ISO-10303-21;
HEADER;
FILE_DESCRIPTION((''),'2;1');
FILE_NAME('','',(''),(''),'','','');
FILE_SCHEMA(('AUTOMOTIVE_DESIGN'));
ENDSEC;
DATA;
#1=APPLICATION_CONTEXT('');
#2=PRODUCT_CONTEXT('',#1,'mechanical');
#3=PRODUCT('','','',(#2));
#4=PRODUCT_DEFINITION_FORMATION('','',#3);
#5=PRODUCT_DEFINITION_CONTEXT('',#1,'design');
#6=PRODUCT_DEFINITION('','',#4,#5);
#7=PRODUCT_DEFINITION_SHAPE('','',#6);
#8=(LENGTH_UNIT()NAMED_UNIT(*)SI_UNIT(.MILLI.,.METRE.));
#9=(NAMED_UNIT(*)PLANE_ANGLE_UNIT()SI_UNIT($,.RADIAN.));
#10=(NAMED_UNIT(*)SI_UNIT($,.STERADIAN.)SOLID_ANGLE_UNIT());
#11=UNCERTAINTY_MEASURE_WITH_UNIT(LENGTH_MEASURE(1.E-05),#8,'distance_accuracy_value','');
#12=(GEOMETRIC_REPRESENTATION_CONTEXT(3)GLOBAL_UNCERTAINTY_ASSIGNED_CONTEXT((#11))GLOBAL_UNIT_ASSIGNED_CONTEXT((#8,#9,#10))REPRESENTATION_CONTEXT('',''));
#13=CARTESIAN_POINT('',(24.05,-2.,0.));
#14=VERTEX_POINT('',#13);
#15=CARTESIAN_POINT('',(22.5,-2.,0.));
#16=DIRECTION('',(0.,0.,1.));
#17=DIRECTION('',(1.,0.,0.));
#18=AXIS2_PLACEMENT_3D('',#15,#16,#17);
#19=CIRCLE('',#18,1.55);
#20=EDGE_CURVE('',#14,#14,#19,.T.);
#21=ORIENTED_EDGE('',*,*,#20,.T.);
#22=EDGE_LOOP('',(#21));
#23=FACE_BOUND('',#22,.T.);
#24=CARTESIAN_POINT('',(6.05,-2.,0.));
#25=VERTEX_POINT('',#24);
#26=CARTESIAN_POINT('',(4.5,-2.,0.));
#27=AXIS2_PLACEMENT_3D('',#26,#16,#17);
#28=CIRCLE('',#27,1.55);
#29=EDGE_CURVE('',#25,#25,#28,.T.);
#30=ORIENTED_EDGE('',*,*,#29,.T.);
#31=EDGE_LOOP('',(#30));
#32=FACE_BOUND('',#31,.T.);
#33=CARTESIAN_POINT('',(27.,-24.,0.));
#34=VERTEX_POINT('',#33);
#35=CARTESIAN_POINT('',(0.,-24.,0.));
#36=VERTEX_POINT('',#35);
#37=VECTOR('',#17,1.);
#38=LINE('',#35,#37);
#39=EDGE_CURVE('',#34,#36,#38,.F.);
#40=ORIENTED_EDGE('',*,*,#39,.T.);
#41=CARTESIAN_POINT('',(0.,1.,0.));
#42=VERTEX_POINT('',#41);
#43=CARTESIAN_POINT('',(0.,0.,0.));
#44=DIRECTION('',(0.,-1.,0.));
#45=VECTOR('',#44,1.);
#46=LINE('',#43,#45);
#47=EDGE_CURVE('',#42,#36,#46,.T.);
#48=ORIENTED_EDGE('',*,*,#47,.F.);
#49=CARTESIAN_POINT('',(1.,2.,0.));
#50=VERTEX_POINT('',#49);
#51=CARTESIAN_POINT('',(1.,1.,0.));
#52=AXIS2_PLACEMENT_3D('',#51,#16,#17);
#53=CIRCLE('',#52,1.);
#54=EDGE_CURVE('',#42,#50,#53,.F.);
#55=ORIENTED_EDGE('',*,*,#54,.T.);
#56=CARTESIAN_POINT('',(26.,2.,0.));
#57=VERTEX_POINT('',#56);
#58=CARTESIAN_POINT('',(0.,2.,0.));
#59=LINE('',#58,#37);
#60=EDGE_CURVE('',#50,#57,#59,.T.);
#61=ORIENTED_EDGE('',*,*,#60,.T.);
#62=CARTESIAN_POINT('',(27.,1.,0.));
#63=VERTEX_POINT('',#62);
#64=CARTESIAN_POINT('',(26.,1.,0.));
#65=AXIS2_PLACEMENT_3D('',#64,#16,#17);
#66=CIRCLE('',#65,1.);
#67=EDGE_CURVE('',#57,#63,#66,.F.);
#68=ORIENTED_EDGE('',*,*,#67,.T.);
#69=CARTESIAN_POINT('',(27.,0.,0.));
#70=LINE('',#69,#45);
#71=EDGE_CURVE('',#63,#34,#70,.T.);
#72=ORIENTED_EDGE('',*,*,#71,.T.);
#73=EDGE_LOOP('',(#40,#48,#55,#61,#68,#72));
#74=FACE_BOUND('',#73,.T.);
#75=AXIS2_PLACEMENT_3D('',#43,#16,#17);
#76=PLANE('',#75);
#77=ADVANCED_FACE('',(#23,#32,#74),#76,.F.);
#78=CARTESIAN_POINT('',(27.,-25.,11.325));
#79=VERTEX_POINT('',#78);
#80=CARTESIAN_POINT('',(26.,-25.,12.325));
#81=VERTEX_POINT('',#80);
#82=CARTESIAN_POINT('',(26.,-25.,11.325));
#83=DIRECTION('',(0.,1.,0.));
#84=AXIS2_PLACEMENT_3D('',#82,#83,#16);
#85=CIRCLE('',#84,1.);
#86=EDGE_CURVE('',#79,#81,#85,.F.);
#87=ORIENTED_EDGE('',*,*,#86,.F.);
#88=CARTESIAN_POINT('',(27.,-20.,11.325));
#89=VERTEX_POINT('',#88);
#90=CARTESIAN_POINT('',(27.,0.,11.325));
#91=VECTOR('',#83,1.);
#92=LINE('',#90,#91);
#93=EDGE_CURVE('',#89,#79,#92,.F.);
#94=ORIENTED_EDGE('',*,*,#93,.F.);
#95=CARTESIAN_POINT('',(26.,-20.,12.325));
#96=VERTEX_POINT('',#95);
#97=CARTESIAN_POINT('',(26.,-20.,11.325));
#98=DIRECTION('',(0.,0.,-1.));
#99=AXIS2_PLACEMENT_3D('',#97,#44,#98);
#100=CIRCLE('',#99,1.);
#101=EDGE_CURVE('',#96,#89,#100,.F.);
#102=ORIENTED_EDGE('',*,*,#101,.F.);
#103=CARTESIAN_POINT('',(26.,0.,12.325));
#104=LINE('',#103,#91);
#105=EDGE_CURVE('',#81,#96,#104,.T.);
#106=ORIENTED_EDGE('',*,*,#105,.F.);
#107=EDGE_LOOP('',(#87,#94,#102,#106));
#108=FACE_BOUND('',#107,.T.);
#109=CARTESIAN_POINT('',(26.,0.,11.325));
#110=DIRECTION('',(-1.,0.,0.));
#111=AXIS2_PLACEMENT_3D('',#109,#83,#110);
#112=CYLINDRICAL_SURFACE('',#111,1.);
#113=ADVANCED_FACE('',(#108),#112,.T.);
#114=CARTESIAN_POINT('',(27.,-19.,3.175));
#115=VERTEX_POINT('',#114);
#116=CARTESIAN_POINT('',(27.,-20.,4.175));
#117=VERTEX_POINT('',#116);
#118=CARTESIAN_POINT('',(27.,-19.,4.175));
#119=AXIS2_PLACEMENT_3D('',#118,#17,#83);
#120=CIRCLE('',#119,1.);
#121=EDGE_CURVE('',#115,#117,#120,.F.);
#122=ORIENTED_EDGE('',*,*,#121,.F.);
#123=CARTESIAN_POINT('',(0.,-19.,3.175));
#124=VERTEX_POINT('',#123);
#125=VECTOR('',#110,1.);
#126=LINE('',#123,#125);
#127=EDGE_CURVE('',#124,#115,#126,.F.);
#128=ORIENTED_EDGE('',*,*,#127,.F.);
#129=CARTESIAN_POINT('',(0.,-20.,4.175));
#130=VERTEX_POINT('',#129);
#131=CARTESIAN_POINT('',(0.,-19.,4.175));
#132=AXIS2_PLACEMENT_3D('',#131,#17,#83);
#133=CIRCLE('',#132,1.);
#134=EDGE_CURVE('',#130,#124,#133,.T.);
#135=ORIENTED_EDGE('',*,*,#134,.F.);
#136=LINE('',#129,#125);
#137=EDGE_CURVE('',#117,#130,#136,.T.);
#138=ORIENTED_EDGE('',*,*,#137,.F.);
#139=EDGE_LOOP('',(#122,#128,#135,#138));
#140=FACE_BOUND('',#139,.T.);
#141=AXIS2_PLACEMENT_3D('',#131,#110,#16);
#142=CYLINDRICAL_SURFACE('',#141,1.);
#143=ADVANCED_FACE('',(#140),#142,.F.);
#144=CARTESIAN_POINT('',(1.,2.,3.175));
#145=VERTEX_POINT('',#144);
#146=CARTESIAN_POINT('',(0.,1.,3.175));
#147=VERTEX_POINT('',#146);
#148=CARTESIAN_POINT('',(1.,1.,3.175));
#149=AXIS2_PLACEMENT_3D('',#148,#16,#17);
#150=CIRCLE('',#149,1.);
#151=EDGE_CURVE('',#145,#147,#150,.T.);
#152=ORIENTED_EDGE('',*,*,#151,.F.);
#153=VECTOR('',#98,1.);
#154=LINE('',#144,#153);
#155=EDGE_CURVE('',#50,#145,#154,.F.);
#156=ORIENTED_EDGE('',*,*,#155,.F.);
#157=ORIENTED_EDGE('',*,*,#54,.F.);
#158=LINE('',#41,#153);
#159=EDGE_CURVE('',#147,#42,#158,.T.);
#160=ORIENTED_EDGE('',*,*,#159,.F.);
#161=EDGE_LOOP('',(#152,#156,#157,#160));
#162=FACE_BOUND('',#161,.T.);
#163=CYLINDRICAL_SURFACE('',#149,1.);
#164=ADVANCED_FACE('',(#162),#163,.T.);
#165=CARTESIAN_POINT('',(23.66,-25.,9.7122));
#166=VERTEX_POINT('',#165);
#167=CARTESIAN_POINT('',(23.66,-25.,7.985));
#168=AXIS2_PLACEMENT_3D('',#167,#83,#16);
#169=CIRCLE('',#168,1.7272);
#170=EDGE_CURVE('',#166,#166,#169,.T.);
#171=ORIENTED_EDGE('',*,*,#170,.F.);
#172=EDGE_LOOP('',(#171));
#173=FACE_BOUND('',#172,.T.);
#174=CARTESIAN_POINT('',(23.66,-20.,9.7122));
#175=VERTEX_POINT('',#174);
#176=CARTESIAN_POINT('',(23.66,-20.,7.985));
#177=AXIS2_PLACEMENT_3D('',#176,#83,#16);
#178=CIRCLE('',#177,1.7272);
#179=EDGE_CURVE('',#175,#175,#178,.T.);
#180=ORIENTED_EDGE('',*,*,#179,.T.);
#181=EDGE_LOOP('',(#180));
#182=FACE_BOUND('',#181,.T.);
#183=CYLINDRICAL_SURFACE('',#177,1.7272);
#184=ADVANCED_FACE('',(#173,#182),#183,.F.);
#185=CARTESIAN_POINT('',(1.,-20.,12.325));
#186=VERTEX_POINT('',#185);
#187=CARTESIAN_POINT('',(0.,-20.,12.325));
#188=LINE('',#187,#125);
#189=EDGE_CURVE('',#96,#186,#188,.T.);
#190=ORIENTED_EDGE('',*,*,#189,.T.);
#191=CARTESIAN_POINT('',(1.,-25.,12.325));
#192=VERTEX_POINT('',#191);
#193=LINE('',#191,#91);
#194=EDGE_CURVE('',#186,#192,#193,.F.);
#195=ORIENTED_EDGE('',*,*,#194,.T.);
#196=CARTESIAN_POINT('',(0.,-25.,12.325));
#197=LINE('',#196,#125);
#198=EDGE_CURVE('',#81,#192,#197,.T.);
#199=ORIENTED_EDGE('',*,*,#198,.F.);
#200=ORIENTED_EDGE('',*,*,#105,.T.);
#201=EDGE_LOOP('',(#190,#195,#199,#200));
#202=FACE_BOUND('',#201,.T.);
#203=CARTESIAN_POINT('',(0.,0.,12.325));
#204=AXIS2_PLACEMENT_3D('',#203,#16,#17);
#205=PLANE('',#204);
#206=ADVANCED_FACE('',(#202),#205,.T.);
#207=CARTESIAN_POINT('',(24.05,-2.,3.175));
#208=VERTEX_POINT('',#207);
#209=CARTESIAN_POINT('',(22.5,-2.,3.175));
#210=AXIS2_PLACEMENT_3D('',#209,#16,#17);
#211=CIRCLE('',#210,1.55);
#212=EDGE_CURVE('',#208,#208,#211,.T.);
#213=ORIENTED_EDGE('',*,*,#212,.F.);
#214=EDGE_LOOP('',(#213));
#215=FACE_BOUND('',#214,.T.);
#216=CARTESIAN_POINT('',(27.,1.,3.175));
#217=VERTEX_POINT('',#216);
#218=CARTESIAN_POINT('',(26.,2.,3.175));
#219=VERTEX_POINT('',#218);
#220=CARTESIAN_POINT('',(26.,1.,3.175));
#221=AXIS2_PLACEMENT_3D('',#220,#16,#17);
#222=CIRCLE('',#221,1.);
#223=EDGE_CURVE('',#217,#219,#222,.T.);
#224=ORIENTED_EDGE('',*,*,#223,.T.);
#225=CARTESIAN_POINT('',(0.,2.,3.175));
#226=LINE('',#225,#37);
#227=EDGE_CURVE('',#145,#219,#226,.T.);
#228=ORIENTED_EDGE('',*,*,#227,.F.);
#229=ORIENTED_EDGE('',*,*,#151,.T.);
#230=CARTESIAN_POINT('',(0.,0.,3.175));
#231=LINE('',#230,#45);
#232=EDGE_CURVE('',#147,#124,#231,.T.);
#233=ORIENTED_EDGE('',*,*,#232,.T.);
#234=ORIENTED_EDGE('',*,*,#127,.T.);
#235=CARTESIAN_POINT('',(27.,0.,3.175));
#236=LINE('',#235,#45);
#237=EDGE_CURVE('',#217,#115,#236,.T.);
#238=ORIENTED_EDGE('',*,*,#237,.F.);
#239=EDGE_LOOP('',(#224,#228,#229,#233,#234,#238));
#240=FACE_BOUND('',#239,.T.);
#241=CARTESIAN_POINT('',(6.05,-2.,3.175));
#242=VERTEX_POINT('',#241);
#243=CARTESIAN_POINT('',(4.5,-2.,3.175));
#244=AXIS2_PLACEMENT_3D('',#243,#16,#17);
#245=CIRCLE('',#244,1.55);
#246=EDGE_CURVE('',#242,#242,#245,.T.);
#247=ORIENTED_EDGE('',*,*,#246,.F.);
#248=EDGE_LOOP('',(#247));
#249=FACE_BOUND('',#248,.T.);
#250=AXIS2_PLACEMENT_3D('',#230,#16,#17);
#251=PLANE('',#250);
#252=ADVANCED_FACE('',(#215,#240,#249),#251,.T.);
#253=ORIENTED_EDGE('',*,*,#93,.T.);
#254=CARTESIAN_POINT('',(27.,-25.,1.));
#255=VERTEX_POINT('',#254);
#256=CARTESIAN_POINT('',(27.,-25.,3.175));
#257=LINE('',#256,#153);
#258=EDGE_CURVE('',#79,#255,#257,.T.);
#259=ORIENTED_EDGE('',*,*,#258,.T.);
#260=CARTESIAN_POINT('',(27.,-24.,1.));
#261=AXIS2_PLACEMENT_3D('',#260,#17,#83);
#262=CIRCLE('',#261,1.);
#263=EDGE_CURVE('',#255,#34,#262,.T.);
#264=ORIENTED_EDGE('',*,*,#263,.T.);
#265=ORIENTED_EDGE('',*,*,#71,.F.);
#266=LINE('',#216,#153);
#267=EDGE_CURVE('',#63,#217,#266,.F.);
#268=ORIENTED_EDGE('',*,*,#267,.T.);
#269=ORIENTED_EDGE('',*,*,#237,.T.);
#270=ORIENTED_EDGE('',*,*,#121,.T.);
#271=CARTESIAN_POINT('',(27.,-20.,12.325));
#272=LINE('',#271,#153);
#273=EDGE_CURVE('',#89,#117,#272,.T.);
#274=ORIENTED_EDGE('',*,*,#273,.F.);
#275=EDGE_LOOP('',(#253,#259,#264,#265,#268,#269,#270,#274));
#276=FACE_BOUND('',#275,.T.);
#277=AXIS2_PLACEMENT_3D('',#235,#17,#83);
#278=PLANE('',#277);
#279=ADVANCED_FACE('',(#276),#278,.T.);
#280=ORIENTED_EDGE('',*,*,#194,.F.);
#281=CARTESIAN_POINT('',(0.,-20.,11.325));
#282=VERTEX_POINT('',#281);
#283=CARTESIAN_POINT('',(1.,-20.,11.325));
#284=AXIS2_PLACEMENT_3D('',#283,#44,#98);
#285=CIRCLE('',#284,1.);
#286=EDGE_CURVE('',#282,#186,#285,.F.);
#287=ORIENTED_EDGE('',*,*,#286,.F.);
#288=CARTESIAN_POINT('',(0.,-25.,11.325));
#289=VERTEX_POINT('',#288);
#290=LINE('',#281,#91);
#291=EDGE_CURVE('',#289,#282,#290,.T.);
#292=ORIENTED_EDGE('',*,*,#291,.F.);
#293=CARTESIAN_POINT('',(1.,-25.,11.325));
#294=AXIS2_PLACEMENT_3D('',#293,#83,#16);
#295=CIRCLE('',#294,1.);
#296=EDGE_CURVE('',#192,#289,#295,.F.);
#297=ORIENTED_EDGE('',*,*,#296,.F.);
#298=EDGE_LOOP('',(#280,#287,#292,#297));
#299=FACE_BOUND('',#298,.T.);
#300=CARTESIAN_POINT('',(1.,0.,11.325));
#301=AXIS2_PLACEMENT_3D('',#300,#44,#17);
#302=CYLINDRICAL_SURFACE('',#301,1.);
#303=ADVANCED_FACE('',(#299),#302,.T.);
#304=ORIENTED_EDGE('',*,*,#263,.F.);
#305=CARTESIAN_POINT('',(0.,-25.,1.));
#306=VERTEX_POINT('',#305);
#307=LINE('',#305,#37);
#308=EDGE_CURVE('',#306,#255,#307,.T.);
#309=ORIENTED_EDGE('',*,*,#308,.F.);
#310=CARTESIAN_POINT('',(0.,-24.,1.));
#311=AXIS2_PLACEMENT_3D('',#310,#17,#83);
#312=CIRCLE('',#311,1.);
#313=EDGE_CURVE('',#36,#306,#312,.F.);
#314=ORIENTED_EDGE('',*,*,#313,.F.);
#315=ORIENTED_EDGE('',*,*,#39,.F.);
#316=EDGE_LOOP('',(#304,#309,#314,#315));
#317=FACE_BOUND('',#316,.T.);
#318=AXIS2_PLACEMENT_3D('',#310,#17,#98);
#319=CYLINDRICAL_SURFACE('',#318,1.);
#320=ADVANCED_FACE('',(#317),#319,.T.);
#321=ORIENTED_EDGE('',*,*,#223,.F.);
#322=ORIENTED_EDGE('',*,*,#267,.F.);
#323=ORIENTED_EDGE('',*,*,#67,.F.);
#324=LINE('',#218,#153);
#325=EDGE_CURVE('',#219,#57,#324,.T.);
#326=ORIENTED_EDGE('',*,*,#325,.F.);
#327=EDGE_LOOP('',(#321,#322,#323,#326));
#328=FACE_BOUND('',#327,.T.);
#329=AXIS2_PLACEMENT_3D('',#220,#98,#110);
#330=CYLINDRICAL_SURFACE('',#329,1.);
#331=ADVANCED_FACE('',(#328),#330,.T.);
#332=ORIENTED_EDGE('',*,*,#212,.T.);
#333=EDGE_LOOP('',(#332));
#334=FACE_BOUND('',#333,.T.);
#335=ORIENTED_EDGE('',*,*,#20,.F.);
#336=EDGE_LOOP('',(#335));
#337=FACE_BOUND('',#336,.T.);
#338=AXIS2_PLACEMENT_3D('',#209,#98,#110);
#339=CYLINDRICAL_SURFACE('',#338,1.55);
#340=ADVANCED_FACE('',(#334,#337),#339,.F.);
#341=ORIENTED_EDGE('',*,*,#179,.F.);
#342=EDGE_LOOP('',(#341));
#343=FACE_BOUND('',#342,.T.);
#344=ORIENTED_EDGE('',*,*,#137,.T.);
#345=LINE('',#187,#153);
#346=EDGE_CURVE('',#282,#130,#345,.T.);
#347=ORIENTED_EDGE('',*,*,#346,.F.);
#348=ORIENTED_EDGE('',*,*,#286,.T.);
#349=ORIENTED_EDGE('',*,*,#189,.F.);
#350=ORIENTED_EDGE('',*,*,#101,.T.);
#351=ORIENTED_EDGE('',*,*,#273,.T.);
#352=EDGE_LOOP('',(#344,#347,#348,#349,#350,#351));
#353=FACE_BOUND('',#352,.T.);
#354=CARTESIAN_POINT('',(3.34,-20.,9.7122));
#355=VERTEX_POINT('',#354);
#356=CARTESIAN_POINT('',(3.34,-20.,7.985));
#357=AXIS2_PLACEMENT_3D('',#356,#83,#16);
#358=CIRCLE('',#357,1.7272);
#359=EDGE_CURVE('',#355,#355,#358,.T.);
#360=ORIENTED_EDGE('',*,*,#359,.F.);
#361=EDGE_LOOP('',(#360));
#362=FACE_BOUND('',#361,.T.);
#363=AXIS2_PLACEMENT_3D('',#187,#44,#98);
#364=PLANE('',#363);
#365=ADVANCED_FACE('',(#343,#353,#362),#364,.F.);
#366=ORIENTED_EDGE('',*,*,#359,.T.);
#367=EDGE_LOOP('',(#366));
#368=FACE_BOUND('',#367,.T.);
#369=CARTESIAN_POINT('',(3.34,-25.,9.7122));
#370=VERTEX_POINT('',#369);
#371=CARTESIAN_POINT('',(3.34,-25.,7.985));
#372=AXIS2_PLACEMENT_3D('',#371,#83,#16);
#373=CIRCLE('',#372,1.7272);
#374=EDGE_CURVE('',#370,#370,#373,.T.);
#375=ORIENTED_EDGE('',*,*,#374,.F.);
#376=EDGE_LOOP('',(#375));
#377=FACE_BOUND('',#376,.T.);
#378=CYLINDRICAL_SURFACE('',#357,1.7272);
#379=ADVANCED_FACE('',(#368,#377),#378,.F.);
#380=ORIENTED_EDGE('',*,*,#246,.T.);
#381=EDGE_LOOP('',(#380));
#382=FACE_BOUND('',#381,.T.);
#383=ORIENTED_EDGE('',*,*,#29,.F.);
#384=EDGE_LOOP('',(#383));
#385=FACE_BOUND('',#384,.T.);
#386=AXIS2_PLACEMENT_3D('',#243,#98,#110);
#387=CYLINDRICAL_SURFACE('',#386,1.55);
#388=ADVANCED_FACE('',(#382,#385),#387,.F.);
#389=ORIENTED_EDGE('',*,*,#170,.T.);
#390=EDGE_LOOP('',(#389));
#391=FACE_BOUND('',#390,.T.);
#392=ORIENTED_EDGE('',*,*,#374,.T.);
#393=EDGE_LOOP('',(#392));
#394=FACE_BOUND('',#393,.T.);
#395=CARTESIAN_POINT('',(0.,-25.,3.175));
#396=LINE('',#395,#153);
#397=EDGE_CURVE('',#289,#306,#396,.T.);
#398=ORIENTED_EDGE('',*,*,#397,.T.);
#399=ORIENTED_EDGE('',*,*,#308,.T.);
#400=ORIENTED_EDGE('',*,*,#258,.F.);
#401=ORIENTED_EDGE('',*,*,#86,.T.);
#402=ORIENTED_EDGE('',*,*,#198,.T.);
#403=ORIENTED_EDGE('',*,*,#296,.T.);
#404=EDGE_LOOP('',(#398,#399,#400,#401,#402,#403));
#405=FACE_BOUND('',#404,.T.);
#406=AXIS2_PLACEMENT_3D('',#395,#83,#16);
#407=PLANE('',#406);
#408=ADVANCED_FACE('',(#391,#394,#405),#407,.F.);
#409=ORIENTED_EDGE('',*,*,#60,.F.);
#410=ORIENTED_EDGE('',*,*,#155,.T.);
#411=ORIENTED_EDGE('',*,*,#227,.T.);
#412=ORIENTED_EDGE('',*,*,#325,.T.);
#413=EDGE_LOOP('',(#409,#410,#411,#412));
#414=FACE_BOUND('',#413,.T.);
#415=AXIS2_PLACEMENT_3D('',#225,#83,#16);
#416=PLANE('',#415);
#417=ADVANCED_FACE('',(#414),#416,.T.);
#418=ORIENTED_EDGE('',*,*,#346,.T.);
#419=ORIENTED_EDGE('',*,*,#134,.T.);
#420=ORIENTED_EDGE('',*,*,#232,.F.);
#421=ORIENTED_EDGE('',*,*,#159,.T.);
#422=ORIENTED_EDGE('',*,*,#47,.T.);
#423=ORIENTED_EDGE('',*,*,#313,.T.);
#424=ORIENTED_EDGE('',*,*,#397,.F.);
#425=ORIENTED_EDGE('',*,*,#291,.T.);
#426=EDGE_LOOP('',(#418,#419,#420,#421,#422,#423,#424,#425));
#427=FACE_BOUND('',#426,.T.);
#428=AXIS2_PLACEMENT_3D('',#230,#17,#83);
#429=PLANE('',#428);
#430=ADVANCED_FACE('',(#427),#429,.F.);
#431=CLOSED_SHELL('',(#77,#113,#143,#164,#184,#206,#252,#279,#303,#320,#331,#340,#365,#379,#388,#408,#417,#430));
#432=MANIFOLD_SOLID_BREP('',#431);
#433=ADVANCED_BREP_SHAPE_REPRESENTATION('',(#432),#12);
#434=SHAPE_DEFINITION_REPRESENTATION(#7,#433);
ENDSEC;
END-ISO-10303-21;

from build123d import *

# Parameters (mm, degrees)
SKETCH1_W             = 27
SKETCH1_H             = 20
SKETCH1_R             = 1.55
SKETCH1_H_2           = 5
SKETCH1_H_3           = 2
BOSS_EXTRUDE1_DEPTH   = 3.175
BOSS_EXTRUDE2_START   = 3.175
SKETCH1_3_W           = 27
SKETCH1_3_H           = 5
BOSS_EXTRUDE2_DEPTH   = 9.15
F_8_32_TAPPED_HOLE1_D = 3.4544
FILLET1_R             = 1


with BuildPart() as part:
    # Sketch1 → Boss-Extrude1 (new body)
    # profile 1 of 3: a face of its own
    with BuildSketch(Plane.XY):
        with Locations((13.5, -10)):
            Rectangle(SKETCH1_W, SKETCH1_H)
        with Locations((4.5, -2)):
            Circle(SKETCH1_R, mode=Mode.SUBTRACT)
        with Locations((22.5, -2)):
            Circle(SKETCH1_R, mode=Mode.SUBTRACT)
    # profile 2 of 3: a face of its own
    with BuildSketch(Plane.XY):
        with Locations((13.5, -22.5)):
            Rectangle(SKETCH1_W, SKETCH1_H_2)
    # profile 3 of 3: a face of its own
    with BuildSketch(Plane.XY):
        with Locations((13.5, 1)):
            Rectangle(SKETCH1_W, SKETCH1_H_3)
    extrude(amount=BOSS_EXTRUDE1_DEPTH)

    # Sketch1<3> → Boss-Extrude2 (add)
    with BuildSketch(Plane.XY.offset(BOSS_EXTRUDE2_START)):
        with Locations((13.5, -22.5)):
            Rectangle(SKETCH1_3_W, SKETCH1_3_H)
    extrude(amount=BOSS_EXTRUDE2_DEPTH)

    # #8-32 Tapped Hole1 (through all)
    with Locations(Plane(origin=(3.34, -20, 7.985), x_dir=(0, 0, 1), z_dir=(0, 1, 0))):
        with Locations((0, 0), (0, 20.32)):
            Hole(F_8_32_TAPPED_HOLE1_D / 2)

    # Fillet1
    fillet1_edges = [part.edges().sort_by_distance(p)[0] for p in [
        (0, 2, 1.5875),
        (27, 2, 1.5875),
        (0, -22.5, 12.325),
        (13.5, -20, 3.175),
        (27, -22.5, 12.325),
        (13.5, -25, 0),
    ]]
    fillet(fillet1_edges, radius=FILLET1_R)


solid = part.part
